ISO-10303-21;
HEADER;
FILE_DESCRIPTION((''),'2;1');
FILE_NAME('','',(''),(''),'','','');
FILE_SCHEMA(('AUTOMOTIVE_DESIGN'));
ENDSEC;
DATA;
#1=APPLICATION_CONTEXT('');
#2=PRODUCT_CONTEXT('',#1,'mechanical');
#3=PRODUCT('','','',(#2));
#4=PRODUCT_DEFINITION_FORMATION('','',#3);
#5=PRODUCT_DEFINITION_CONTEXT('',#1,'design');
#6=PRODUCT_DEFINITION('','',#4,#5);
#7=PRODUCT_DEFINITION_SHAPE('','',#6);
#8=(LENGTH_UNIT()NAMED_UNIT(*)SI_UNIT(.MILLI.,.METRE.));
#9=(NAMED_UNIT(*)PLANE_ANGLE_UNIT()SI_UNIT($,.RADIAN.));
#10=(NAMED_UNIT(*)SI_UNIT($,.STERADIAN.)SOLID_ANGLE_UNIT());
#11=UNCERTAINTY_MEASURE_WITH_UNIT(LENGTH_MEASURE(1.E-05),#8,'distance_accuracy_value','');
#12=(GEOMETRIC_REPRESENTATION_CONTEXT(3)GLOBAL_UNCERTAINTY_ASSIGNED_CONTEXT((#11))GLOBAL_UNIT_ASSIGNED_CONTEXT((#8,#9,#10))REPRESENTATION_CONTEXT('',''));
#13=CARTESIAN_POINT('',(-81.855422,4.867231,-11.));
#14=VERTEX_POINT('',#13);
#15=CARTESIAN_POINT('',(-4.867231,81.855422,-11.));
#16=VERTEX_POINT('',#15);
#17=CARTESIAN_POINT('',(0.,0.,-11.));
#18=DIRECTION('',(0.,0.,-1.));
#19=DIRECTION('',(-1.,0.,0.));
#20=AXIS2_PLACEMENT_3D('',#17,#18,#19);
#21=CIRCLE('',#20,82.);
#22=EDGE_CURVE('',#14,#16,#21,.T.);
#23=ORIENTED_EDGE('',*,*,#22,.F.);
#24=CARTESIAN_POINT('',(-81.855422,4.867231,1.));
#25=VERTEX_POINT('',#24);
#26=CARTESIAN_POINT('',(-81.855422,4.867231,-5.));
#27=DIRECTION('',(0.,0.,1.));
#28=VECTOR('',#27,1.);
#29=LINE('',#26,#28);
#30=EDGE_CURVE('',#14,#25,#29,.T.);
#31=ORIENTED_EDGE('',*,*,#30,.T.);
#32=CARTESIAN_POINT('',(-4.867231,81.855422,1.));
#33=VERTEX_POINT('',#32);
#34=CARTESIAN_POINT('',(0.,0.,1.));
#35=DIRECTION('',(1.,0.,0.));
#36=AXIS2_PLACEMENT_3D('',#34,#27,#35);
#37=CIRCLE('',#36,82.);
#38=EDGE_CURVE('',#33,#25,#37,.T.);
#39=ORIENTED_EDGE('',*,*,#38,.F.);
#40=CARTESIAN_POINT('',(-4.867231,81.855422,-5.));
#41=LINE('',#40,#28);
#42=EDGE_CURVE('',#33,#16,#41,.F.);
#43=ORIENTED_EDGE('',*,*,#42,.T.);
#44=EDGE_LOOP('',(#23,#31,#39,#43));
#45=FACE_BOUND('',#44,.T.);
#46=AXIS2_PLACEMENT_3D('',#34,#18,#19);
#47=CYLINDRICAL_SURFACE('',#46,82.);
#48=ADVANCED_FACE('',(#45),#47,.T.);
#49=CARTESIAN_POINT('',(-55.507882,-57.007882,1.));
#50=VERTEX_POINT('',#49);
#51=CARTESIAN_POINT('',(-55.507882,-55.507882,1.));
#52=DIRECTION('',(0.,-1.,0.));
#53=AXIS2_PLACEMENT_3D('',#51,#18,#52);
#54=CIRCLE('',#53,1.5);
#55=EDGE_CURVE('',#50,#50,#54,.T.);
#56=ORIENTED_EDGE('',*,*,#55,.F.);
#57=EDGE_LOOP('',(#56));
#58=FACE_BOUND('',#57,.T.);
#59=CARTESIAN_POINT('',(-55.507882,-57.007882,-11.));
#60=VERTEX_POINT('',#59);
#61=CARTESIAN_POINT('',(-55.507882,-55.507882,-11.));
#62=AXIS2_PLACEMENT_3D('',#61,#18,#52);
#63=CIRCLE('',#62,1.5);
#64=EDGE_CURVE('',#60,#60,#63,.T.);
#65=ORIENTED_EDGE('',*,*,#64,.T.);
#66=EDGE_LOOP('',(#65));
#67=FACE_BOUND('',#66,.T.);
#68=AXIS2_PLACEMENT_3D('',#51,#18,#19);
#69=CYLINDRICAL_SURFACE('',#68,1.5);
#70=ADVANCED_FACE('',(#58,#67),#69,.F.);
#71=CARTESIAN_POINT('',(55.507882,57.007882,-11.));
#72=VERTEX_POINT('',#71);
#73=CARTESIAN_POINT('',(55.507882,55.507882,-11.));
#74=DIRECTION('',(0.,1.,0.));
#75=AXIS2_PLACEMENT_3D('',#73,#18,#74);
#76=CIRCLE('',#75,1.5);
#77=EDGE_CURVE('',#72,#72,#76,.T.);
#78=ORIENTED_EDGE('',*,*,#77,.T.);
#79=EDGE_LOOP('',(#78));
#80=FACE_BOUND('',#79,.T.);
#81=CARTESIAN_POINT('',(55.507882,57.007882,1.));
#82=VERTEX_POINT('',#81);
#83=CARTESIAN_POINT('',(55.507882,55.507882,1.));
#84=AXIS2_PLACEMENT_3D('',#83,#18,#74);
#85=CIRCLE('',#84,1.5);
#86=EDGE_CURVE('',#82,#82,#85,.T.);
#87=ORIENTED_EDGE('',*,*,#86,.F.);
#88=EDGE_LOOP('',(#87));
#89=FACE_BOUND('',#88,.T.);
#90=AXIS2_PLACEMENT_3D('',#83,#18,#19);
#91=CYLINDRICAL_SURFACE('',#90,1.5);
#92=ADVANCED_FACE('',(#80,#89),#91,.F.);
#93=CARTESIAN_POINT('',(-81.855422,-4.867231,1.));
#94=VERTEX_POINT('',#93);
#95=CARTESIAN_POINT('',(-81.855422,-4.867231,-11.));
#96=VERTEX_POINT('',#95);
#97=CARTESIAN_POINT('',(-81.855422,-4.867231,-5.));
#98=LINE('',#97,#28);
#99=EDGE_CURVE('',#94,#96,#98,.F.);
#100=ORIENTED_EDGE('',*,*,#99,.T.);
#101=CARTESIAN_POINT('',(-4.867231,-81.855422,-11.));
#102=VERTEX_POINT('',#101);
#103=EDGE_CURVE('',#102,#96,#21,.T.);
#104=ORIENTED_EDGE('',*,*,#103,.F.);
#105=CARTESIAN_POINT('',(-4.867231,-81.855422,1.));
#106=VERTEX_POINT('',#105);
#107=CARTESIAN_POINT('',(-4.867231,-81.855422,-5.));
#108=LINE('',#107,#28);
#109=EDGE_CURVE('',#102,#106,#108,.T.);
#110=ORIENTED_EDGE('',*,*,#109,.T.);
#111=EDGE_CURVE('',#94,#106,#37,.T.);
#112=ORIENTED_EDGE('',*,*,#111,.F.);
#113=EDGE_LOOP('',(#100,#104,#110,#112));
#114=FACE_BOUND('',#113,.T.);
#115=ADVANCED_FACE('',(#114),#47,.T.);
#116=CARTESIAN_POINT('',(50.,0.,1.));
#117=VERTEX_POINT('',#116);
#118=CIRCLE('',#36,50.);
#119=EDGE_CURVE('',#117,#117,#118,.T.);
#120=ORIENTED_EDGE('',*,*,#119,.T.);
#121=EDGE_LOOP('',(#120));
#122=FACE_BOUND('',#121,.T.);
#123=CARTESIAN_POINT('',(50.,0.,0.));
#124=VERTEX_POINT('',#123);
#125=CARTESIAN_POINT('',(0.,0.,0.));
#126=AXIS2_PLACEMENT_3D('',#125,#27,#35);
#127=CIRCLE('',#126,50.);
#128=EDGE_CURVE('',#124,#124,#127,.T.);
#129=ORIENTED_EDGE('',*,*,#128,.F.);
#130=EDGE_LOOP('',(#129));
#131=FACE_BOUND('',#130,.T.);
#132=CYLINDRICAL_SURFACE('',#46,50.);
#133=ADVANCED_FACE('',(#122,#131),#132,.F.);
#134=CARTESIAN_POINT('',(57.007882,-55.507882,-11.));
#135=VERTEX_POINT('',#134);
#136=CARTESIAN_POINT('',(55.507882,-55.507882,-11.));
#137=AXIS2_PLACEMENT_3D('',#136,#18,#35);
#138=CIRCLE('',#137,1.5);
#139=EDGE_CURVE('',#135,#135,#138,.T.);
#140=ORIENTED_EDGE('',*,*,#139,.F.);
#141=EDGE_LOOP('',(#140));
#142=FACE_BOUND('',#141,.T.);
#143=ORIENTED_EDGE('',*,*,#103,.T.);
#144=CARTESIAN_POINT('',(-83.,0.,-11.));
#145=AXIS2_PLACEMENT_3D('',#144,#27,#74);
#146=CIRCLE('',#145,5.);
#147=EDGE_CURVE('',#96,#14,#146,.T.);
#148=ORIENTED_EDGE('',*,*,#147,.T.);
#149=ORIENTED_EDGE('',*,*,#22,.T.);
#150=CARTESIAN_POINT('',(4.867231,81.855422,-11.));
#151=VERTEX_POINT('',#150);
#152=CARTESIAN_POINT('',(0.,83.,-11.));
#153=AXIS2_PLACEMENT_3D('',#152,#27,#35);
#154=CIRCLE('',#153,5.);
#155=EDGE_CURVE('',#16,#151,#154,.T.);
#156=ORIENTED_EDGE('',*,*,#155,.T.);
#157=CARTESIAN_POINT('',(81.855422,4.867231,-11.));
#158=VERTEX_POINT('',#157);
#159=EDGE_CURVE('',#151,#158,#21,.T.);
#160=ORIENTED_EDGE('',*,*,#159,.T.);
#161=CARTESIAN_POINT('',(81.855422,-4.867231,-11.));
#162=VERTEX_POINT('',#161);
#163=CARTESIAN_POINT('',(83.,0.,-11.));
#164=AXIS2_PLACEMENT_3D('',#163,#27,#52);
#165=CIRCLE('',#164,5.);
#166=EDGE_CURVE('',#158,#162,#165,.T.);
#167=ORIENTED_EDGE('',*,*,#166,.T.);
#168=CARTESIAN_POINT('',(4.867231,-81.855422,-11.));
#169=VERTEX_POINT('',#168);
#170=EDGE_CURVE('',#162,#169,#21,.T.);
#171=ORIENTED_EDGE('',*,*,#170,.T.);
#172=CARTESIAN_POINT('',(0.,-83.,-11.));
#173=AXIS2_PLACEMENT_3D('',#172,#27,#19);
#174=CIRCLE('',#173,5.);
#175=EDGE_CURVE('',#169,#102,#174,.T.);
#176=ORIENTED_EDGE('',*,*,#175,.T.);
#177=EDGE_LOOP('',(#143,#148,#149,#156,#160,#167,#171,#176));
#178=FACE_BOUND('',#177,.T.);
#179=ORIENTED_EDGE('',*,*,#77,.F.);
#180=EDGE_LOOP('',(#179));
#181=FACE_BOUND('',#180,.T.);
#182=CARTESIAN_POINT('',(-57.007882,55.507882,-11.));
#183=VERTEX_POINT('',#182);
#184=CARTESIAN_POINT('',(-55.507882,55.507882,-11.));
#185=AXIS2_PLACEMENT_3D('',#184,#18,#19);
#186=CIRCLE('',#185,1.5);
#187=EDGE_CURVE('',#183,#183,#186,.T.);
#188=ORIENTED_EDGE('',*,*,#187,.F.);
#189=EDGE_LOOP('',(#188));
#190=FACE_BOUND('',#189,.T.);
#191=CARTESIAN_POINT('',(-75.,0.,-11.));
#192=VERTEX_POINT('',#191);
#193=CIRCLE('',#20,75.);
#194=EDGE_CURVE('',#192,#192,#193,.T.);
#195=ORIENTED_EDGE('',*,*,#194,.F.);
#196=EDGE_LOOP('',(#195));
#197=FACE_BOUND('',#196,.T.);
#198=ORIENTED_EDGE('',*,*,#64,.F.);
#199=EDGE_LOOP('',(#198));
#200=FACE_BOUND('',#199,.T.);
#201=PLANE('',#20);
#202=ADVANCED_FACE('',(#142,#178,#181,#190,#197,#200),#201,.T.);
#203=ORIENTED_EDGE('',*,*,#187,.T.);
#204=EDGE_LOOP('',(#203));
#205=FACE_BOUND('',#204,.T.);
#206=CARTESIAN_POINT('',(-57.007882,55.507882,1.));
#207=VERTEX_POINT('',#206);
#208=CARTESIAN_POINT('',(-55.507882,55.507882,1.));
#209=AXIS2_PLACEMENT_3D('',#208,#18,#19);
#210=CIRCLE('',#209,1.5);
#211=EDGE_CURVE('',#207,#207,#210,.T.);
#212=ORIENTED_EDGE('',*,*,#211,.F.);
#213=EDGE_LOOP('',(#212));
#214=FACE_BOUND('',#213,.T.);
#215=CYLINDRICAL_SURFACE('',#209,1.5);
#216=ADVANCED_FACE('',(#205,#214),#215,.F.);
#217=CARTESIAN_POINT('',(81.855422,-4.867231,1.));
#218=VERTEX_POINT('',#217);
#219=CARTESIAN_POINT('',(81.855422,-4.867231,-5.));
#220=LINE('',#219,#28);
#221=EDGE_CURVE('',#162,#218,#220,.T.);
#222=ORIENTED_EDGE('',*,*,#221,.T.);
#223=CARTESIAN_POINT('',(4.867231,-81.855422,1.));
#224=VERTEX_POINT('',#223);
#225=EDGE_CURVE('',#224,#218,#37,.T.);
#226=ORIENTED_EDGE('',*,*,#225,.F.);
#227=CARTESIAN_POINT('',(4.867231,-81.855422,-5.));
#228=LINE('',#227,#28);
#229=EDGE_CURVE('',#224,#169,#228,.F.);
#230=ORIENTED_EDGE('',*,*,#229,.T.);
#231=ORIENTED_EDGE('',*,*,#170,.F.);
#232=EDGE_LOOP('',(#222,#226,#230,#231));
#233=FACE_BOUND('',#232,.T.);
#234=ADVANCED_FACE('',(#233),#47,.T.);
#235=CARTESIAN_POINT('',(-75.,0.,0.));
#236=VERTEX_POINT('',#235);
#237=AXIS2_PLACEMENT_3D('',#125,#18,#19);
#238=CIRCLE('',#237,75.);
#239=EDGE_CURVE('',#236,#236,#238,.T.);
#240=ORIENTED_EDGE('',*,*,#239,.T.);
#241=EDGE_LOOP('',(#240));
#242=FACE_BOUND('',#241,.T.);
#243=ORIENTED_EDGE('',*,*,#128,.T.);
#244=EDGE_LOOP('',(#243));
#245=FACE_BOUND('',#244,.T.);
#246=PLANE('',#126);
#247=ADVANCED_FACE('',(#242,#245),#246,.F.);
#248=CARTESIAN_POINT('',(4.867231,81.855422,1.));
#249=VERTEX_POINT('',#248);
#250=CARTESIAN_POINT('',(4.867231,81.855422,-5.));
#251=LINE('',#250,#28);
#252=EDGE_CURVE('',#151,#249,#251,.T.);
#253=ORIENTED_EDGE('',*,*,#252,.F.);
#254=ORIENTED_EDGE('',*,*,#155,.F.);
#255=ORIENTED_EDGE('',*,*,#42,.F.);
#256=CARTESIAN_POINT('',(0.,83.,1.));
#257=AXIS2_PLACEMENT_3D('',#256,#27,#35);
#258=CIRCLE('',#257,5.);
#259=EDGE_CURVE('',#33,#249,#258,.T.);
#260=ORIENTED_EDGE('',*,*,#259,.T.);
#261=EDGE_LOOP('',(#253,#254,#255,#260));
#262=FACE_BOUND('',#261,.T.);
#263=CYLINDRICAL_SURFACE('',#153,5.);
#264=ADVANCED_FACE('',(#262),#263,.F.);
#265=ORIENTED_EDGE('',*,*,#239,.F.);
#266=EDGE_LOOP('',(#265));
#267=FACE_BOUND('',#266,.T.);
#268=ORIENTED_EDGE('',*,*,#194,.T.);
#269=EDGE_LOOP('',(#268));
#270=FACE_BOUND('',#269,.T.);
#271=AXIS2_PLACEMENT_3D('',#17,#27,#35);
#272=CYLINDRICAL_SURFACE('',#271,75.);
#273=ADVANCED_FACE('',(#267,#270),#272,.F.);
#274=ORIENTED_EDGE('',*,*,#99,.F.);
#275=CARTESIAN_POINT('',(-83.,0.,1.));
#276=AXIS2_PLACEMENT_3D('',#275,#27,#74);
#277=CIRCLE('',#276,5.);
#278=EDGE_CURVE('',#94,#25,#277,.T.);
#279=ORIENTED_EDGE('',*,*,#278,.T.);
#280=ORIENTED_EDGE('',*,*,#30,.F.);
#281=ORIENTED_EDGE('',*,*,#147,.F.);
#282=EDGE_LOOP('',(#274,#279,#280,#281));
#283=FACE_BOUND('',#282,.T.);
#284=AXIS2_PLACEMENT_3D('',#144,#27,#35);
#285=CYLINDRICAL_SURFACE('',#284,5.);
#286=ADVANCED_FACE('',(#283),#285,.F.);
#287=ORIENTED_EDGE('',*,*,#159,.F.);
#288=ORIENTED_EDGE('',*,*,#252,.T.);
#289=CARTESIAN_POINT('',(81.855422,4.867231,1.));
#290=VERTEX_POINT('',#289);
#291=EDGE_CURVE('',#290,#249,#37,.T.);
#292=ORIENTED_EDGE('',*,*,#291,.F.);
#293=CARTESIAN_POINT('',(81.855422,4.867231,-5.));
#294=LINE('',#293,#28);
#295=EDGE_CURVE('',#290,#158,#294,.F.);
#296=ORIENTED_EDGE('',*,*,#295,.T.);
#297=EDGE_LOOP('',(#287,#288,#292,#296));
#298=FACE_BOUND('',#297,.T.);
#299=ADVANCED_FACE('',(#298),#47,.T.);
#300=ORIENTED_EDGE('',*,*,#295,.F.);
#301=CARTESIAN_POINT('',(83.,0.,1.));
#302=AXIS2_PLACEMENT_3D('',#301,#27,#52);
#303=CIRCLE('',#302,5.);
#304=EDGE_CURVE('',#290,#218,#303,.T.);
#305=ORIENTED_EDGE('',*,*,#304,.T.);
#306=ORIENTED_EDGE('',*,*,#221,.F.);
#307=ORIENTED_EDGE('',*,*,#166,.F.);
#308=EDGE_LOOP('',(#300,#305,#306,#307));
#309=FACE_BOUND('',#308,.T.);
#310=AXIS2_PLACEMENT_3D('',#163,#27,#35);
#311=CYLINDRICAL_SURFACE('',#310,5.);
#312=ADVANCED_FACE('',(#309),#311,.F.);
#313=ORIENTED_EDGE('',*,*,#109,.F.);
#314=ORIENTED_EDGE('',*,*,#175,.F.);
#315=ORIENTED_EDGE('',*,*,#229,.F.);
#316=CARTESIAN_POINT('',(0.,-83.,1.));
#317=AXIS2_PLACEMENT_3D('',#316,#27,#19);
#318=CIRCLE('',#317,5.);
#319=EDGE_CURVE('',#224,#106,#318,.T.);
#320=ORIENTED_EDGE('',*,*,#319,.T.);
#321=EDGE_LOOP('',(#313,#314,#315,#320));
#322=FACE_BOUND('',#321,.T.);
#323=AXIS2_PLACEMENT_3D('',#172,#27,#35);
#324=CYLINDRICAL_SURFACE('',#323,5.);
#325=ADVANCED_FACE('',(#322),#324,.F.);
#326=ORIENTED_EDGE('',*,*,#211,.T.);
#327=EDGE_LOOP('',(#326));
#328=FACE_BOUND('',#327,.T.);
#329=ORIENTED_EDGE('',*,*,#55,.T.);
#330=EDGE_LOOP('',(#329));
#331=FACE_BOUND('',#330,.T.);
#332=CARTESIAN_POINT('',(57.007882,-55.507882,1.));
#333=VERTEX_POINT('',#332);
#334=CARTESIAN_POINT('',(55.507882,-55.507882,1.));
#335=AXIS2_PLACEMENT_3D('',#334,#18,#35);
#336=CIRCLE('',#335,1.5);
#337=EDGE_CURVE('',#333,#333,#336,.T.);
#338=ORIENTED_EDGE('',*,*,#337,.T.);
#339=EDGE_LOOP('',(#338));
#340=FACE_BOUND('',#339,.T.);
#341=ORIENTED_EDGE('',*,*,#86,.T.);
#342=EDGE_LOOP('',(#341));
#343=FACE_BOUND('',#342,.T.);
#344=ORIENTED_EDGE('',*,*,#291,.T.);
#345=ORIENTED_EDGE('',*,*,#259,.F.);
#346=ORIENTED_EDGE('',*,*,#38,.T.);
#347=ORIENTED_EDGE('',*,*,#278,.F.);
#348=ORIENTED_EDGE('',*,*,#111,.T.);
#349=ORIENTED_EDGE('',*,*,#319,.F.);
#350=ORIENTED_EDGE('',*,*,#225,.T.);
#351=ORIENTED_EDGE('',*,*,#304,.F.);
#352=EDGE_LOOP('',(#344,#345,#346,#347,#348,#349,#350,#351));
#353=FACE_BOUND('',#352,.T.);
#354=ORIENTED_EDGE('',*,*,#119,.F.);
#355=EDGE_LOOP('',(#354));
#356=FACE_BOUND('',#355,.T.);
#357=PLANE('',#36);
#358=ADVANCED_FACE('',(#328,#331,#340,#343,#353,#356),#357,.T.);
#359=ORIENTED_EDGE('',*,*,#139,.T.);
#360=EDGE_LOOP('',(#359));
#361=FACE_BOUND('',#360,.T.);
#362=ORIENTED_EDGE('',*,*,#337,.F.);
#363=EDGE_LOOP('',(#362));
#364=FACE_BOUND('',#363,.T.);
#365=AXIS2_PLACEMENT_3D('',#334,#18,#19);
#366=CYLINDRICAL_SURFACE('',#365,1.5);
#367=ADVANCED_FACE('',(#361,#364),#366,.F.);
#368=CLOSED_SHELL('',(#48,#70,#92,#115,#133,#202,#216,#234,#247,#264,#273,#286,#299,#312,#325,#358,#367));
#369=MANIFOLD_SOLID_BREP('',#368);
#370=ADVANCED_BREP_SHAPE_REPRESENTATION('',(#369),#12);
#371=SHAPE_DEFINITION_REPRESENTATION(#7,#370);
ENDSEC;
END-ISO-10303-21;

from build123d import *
from build123d.topology import SkipClean

# Parameters (mm, degrees)
SKETCH1_R           = 82
SKETCH1_R_2         = 50
BOSS_EXTRUDE1_DEPTH = 1
BOSS_EXTRUDE3_START = 11
SKETCH3_R           = 82
SKETCH3_R_2         = 75
BOSS_EXTRUDE3_DEPTH = 11
SKETCH4_R           = 5
CUT_EXTRUDE1_DEPTH  = 117.584733134
CIRPATTERN1_COUNT   = 4
SKETCH5_R           = 1.5
CUT_EXTRUDE2_DEPTH  = 117.381356407
CIRPATTERN2_COUNT   = 4


with BuildPart() as part:
    # Sketch1 → Boss-Extrude1 (new body)
    with BuildSketch(Plane.XY):
        Circle(SKETCH1_R)
        Circle(SKETCH1_R_2, mode=Mode.SUBTRACT)
    extrude(amount=BOSS_EXTRUDE1_DEPTH)

    # Sketch3 → Boss-Extrude3 (add)
    with BuildSketch(Plane(origin=(0, 0, 0), x_dir=(-1, 0, 0), z_dir=(0, 0, -1)).offset(BOSS_EXTRUDE3_START)):
        Circle(SKETCH3_R)
        Circle(SKETCH3_R_2, mode=Mode.SUBTRACT)
    extrude(amount=-BOSS_EXTRUDE3_DEPTH)

    # Sketch4 → Cut-Extrude1 (cut, through all)
    with SkipClean():  # the faces are left unmerged after this step: merging them gives an invalid solid
        with BuildSketch(Plane.XY.offset(1)):
            with Locations((0, 83)):
                Circle(SKETCH4_R)
        cut_extrude1 = extrude(amount=-CUT_EXTRUDE1_DEPTH, mode=Mode.SUBTRACT)

    # CirPattern1: Cut-Extrude1 ×4 about axis
    cirpattern1_axis = Axis((0, 0, 0), (0, 0, 1))
    for i in range(1, CIRPATTERN1_COUNT):
        add(cut_extrude1.rotate(cirpattern1_axis, i * 360 / CIRPATTERN1_COUNT), mode=Mode.SUBTRACT)

    # Sketch5 → Cut-Extrude2 (cut, through all)
    with BuildSketch(Plane(origin=(0, 0, -11), x_dir=(-1, 0, 0), z_dir=(0, 0, -1))):
        with Locations((55.507882323, 55.507882323)):
            Circle(SKETCH5_R)
    cut_extrude2 = extrude(amount=-CUT_EXTRUDE2_DEPTH, mode=Mode.SUBTRACT)

    # CirPattern2: Cut-Extrude2 ×4 about axis
    cirpattern2_axis = Axis((0, 0, 0), (0, 0, 1))
    for i in range(1, CIRPATTERN2_COUNT):
        add(cut_extrude2.rotate(cirpattern2_axis, i * 360 / CIRPATTERN2_COUNT), mode=Mode.SUBTRACT)


solid = part.part
